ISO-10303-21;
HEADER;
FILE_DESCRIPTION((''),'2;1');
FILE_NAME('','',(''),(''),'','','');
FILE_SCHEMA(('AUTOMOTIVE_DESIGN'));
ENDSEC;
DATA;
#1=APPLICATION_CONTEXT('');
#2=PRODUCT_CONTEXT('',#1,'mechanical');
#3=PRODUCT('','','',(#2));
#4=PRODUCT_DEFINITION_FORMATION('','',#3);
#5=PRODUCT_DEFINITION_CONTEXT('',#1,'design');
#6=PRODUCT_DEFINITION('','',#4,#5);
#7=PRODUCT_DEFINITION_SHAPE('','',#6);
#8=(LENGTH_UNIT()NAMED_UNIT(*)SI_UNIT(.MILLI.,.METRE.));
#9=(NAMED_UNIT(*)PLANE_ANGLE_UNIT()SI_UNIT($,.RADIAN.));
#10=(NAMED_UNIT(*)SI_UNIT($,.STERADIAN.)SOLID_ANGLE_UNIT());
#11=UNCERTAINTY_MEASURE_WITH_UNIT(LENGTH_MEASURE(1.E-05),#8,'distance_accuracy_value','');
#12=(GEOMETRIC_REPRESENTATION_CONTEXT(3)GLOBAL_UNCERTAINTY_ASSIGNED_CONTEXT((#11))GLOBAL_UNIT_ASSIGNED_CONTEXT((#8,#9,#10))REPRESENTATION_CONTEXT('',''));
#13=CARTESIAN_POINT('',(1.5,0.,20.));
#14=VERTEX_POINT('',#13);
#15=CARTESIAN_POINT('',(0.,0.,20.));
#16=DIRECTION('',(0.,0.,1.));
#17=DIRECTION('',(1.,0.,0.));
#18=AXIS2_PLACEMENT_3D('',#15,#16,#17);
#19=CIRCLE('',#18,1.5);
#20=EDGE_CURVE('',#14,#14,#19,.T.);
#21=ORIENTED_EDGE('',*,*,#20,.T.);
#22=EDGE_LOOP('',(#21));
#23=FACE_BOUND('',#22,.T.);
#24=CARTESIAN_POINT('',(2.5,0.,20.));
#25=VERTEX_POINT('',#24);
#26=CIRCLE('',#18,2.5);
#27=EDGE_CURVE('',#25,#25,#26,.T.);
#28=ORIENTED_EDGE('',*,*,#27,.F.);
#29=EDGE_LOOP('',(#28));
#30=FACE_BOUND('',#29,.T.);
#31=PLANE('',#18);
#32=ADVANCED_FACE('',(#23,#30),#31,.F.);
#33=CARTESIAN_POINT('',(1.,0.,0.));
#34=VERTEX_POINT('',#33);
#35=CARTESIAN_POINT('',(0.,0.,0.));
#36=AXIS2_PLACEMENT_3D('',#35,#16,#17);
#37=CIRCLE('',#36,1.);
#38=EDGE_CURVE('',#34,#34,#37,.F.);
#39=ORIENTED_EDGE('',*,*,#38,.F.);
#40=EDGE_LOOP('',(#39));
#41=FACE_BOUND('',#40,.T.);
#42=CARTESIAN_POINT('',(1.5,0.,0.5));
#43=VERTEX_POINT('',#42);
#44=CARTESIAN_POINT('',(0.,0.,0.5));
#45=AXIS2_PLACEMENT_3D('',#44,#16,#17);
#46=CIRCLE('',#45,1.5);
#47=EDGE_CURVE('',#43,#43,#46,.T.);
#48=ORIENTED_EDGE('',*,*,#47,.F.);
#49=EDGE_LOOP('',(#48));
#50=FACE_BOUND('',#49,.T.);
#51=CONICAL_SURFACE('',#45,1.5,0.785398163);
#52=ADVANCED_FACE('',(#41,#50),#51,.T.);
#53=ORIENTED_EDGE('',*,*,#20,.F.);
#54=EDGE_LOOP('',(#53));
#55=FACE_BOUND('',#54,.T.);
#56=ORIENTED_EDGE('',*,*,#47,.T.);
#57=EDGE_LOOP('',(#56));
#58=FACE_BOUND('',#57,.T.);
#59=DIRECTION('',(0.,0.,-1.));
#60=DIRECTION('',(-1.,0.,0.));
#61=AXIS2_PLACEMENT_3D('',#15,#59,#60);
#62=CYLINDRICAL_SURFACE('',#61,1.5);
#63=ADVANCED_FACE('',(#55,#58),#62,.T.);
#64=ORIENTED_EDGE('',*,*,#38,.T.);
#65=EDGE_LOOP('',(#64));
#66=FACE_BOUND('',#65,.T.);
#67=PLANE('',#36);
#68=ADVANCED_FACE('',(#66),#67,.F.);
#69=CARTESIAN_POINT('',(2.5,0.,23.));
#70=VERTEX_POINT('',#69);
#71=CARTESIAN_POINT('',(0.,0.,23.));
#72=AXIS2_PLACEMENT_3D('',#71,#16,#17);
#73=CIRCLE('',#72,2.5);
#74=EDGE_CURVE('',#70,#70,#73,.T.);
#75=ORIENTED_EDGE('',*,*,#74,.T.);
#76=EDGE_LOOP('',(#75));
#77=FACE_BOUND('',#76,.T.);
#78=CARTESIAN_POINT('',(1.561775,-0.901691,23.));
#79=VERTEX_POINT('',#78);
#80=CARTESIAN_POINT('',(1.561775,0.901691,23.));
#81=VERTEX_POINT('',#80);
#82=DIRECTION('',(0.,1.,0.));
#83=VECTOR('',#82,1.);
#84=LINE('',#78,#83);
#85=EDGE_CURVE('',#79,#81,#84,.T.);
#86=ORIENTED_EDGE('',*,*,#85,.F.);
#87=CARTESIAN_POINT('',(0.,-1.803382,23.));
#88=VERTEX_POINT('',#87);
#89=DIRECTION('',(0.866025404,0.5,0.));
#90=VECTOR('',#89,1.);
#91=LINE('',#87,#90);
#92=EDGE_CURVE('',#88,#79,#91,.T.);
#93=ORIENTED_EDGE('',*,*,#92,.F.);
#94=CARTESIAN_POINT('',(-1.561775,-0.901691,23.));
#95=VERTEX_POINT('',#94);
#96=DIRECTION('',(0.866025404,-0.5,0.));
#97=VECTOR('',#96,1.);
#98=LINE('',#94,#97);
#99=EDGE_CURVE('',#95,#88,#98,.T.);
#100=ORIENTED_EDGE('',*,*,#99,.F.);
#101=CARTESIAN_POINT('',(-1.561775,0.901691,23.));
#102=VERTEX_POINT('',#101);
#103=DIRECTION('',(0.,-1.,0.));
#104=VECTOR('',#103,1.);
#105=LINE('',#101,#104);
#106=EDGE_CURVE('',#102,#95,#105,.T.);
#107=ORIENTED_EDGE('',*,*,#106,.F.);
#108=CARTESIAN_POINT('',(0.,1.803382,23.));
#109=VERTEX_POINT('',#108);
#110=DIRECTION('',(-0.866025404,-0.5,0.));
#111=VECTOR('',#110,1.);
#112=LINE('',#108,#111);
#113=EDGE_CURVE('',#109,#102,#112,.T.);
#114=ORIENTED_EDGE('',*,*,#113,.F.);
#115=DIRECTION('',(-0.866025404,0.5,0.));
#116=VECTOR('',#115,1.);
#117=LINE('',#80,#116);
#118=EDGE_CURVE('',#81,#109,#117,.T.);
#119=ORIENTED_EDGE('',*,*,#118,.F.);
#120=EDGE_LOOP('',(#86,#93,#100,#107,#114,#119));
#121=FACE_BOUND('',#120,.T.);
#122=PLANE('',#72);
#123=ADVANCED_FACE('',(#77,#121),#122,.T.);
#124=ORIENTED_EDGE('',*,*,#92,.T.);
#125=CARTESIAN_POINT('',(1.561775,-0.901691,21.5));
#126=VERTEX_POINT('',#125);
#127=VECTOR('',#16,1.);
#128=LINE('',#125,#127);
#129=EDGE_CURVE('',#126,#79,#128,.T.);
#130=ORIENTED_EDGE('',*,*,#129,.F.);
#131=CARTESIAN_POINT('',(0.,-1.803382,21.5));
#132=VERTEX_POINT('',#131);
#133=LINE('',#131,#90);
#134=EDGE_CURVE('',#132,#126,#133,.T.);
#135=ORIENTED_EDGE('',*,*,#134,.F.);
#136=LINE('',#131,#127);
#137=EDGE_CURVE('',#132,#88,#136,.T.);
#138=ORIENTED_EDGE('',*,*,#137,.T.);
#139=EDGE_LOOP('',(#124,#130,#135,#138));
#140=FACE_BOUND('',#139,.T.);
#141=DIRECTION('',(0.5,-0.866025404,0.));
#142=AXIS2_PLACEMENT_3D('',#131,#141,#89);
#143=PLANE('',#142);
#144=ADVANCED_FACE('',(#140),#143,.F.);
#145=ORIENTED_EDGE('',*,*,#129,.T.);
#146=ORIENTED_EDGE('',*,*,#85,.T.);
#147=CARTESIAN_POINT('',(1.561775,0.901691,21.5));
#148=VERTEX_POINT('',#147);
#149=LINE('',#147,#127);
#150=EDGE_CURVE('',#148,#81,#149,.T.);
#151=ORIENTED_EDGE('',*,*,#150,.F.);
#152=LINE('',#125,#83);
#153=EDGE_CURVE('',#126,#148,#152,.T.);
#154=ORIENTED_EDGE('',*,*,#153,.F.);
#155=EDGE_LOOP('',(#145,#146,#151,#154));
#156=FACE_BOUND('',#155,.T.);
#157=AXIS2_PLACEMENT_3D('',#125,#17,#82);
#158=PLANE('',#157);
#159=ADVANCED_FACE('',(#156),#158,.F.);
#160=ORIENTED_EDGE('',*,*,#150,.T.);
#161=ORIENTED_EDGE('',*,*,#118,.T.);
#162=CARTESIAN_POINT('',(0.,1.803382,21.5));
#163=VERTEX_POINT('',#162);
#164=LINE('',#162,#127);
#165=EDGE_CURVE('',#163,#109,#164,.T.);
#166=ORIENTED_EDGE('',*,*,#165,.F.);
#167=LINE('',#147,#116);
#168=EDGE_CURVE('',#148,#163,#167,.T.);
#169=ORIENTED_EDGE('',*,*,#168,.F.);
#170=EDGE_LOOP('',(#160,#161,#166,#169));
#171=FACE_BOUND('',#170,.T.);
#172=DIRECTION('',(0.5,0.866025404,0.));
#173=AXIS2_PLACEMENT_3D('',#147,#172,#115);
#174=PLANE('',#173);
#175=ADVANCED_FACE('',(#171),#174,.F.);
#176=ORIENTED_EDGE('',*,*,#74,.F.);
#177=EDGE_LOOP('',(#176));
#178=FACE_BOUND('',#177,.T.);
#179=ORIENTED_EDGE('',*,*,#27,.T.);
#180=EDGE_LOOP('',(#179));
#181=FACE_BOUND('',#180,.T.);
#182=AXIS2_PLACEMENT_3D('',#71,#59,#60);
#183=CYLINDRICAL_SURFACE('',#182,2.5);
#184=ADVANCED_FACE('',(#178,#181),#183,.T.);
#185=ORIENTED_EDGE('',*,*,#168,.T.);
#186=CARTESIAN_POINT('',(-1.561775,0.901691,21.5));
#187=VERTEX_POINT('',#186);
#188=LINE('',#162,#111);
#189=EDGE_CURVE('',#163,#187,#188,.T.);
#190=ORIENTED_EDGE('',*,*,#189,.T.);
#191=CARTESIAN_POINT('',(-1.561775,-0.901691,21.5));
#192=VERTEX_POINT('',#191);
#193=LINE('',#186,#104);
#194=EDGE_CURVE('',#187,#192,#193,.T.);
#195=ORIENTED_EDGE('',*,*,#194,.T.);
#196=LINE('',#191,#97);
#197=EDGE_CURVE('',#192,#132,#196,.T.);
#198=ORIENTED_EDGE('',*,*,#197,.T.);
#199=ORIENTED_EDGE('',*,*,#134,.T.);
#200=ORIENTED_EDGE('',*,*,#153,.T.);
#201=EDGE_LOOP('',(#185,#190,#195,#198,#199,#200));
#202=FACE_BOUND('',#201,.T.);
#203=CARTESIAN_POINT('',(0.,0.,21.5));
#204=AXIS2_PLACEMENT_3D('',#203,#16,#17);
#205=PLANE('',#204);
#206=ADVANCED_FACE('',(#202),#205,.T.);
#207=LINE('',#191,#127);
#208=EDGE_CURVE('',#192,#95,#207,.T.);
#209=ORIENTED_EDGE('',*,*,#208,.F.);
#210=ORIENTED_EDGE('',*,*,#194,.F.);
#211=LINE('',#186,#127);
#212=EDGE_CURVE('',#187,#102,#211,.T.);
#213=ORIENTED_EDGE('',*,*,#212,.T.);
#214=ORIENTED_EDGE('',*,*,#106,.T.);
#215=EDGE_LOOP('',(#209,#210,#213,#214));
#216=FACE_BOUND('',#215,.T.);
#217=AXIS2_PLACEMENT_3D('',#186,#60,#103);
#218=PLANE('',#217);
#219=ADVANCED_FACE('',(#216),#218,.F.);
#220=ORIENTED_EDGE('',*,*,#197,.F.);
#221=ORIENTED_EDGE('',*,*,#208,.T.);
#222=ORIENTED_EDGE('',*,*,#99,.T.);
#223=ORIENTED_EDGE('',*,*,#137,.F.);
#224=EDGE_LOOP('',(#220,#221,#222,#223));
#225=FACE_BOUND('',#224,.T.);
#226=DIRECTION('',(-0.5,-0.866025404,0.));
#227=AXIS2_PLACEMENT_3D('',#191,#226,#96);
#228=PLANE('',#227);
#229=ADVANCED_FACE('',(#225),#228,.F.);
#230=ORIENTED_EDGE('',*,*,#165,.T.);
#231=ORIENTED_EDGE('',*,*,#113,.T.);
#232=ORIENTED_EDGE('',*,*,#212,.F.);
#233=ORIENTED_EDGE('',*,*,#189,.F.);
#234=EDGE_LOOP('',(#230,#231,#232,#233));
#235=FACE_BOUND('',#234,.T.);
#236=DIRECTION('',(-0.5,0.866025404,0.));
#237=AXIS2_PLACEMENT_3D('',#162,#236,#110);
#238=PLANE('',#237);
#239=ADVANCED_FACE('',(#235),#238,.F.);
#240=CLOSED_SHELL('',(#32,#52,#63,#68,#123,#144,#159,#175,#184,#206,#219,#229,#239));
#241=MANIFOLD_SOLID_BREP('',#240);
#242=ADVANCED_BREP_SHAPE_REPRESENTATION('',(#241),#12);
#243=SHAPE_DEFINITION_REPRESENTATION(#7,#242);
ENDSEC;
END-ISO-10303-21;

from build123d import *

# Parameters (mm, degrees)
SKETCH_1_R          = 1.5
EXTRUDE_1_DEPTH     = 20
SKETCH_2_R          = 2.5
EXTRUDE_2_DEPTH     = 3
CUT_EXTRUDE_1_DEPTH = 1.5
CHAMFER_1_SIZE      = 0.5


with BuildPart() as part:
    # 草图1 → 凸台-拉伸1 (new body)
    with BuildSketch(Plane.XY):
        Circle(SKETCH_1_R)
    extrude(amount=EXTRUDE_1_DEPTH)

    # 草图2 → 凸台-拉伸2 (add)
    with BuildSketch(Plane.XY.offset(20)):
        Circle(SKETCH_2_R)
    extrude(amount=EXTRUDE_2_DEPTH)

    # 草图3 → 切除-拉伸1 (cut)
    with BuildSketch(Plane.XY.offset(23)):
        Polygon((0, 1.803382283), (-1.56177487, 0.901691141), (-1.56177487, -0.901691141), (0, -1.803382283), (1.56177487, -0.901691141), (1.56177487, 0.901691141), align=None)
    extrude(amount=-CUT_EXTRUDE_1_DEPTH, mode=Mode.SUBTRACT)

    # 倒角1
    chamfer_1_edges = [part.edges().sort_by_distance(p)[0] for p in [
        (-1.5, 0, 0),
    ]]
    chamfer(chamfer_1_edges, length=CHAMFER_1_SIZE)


solid = part.part
